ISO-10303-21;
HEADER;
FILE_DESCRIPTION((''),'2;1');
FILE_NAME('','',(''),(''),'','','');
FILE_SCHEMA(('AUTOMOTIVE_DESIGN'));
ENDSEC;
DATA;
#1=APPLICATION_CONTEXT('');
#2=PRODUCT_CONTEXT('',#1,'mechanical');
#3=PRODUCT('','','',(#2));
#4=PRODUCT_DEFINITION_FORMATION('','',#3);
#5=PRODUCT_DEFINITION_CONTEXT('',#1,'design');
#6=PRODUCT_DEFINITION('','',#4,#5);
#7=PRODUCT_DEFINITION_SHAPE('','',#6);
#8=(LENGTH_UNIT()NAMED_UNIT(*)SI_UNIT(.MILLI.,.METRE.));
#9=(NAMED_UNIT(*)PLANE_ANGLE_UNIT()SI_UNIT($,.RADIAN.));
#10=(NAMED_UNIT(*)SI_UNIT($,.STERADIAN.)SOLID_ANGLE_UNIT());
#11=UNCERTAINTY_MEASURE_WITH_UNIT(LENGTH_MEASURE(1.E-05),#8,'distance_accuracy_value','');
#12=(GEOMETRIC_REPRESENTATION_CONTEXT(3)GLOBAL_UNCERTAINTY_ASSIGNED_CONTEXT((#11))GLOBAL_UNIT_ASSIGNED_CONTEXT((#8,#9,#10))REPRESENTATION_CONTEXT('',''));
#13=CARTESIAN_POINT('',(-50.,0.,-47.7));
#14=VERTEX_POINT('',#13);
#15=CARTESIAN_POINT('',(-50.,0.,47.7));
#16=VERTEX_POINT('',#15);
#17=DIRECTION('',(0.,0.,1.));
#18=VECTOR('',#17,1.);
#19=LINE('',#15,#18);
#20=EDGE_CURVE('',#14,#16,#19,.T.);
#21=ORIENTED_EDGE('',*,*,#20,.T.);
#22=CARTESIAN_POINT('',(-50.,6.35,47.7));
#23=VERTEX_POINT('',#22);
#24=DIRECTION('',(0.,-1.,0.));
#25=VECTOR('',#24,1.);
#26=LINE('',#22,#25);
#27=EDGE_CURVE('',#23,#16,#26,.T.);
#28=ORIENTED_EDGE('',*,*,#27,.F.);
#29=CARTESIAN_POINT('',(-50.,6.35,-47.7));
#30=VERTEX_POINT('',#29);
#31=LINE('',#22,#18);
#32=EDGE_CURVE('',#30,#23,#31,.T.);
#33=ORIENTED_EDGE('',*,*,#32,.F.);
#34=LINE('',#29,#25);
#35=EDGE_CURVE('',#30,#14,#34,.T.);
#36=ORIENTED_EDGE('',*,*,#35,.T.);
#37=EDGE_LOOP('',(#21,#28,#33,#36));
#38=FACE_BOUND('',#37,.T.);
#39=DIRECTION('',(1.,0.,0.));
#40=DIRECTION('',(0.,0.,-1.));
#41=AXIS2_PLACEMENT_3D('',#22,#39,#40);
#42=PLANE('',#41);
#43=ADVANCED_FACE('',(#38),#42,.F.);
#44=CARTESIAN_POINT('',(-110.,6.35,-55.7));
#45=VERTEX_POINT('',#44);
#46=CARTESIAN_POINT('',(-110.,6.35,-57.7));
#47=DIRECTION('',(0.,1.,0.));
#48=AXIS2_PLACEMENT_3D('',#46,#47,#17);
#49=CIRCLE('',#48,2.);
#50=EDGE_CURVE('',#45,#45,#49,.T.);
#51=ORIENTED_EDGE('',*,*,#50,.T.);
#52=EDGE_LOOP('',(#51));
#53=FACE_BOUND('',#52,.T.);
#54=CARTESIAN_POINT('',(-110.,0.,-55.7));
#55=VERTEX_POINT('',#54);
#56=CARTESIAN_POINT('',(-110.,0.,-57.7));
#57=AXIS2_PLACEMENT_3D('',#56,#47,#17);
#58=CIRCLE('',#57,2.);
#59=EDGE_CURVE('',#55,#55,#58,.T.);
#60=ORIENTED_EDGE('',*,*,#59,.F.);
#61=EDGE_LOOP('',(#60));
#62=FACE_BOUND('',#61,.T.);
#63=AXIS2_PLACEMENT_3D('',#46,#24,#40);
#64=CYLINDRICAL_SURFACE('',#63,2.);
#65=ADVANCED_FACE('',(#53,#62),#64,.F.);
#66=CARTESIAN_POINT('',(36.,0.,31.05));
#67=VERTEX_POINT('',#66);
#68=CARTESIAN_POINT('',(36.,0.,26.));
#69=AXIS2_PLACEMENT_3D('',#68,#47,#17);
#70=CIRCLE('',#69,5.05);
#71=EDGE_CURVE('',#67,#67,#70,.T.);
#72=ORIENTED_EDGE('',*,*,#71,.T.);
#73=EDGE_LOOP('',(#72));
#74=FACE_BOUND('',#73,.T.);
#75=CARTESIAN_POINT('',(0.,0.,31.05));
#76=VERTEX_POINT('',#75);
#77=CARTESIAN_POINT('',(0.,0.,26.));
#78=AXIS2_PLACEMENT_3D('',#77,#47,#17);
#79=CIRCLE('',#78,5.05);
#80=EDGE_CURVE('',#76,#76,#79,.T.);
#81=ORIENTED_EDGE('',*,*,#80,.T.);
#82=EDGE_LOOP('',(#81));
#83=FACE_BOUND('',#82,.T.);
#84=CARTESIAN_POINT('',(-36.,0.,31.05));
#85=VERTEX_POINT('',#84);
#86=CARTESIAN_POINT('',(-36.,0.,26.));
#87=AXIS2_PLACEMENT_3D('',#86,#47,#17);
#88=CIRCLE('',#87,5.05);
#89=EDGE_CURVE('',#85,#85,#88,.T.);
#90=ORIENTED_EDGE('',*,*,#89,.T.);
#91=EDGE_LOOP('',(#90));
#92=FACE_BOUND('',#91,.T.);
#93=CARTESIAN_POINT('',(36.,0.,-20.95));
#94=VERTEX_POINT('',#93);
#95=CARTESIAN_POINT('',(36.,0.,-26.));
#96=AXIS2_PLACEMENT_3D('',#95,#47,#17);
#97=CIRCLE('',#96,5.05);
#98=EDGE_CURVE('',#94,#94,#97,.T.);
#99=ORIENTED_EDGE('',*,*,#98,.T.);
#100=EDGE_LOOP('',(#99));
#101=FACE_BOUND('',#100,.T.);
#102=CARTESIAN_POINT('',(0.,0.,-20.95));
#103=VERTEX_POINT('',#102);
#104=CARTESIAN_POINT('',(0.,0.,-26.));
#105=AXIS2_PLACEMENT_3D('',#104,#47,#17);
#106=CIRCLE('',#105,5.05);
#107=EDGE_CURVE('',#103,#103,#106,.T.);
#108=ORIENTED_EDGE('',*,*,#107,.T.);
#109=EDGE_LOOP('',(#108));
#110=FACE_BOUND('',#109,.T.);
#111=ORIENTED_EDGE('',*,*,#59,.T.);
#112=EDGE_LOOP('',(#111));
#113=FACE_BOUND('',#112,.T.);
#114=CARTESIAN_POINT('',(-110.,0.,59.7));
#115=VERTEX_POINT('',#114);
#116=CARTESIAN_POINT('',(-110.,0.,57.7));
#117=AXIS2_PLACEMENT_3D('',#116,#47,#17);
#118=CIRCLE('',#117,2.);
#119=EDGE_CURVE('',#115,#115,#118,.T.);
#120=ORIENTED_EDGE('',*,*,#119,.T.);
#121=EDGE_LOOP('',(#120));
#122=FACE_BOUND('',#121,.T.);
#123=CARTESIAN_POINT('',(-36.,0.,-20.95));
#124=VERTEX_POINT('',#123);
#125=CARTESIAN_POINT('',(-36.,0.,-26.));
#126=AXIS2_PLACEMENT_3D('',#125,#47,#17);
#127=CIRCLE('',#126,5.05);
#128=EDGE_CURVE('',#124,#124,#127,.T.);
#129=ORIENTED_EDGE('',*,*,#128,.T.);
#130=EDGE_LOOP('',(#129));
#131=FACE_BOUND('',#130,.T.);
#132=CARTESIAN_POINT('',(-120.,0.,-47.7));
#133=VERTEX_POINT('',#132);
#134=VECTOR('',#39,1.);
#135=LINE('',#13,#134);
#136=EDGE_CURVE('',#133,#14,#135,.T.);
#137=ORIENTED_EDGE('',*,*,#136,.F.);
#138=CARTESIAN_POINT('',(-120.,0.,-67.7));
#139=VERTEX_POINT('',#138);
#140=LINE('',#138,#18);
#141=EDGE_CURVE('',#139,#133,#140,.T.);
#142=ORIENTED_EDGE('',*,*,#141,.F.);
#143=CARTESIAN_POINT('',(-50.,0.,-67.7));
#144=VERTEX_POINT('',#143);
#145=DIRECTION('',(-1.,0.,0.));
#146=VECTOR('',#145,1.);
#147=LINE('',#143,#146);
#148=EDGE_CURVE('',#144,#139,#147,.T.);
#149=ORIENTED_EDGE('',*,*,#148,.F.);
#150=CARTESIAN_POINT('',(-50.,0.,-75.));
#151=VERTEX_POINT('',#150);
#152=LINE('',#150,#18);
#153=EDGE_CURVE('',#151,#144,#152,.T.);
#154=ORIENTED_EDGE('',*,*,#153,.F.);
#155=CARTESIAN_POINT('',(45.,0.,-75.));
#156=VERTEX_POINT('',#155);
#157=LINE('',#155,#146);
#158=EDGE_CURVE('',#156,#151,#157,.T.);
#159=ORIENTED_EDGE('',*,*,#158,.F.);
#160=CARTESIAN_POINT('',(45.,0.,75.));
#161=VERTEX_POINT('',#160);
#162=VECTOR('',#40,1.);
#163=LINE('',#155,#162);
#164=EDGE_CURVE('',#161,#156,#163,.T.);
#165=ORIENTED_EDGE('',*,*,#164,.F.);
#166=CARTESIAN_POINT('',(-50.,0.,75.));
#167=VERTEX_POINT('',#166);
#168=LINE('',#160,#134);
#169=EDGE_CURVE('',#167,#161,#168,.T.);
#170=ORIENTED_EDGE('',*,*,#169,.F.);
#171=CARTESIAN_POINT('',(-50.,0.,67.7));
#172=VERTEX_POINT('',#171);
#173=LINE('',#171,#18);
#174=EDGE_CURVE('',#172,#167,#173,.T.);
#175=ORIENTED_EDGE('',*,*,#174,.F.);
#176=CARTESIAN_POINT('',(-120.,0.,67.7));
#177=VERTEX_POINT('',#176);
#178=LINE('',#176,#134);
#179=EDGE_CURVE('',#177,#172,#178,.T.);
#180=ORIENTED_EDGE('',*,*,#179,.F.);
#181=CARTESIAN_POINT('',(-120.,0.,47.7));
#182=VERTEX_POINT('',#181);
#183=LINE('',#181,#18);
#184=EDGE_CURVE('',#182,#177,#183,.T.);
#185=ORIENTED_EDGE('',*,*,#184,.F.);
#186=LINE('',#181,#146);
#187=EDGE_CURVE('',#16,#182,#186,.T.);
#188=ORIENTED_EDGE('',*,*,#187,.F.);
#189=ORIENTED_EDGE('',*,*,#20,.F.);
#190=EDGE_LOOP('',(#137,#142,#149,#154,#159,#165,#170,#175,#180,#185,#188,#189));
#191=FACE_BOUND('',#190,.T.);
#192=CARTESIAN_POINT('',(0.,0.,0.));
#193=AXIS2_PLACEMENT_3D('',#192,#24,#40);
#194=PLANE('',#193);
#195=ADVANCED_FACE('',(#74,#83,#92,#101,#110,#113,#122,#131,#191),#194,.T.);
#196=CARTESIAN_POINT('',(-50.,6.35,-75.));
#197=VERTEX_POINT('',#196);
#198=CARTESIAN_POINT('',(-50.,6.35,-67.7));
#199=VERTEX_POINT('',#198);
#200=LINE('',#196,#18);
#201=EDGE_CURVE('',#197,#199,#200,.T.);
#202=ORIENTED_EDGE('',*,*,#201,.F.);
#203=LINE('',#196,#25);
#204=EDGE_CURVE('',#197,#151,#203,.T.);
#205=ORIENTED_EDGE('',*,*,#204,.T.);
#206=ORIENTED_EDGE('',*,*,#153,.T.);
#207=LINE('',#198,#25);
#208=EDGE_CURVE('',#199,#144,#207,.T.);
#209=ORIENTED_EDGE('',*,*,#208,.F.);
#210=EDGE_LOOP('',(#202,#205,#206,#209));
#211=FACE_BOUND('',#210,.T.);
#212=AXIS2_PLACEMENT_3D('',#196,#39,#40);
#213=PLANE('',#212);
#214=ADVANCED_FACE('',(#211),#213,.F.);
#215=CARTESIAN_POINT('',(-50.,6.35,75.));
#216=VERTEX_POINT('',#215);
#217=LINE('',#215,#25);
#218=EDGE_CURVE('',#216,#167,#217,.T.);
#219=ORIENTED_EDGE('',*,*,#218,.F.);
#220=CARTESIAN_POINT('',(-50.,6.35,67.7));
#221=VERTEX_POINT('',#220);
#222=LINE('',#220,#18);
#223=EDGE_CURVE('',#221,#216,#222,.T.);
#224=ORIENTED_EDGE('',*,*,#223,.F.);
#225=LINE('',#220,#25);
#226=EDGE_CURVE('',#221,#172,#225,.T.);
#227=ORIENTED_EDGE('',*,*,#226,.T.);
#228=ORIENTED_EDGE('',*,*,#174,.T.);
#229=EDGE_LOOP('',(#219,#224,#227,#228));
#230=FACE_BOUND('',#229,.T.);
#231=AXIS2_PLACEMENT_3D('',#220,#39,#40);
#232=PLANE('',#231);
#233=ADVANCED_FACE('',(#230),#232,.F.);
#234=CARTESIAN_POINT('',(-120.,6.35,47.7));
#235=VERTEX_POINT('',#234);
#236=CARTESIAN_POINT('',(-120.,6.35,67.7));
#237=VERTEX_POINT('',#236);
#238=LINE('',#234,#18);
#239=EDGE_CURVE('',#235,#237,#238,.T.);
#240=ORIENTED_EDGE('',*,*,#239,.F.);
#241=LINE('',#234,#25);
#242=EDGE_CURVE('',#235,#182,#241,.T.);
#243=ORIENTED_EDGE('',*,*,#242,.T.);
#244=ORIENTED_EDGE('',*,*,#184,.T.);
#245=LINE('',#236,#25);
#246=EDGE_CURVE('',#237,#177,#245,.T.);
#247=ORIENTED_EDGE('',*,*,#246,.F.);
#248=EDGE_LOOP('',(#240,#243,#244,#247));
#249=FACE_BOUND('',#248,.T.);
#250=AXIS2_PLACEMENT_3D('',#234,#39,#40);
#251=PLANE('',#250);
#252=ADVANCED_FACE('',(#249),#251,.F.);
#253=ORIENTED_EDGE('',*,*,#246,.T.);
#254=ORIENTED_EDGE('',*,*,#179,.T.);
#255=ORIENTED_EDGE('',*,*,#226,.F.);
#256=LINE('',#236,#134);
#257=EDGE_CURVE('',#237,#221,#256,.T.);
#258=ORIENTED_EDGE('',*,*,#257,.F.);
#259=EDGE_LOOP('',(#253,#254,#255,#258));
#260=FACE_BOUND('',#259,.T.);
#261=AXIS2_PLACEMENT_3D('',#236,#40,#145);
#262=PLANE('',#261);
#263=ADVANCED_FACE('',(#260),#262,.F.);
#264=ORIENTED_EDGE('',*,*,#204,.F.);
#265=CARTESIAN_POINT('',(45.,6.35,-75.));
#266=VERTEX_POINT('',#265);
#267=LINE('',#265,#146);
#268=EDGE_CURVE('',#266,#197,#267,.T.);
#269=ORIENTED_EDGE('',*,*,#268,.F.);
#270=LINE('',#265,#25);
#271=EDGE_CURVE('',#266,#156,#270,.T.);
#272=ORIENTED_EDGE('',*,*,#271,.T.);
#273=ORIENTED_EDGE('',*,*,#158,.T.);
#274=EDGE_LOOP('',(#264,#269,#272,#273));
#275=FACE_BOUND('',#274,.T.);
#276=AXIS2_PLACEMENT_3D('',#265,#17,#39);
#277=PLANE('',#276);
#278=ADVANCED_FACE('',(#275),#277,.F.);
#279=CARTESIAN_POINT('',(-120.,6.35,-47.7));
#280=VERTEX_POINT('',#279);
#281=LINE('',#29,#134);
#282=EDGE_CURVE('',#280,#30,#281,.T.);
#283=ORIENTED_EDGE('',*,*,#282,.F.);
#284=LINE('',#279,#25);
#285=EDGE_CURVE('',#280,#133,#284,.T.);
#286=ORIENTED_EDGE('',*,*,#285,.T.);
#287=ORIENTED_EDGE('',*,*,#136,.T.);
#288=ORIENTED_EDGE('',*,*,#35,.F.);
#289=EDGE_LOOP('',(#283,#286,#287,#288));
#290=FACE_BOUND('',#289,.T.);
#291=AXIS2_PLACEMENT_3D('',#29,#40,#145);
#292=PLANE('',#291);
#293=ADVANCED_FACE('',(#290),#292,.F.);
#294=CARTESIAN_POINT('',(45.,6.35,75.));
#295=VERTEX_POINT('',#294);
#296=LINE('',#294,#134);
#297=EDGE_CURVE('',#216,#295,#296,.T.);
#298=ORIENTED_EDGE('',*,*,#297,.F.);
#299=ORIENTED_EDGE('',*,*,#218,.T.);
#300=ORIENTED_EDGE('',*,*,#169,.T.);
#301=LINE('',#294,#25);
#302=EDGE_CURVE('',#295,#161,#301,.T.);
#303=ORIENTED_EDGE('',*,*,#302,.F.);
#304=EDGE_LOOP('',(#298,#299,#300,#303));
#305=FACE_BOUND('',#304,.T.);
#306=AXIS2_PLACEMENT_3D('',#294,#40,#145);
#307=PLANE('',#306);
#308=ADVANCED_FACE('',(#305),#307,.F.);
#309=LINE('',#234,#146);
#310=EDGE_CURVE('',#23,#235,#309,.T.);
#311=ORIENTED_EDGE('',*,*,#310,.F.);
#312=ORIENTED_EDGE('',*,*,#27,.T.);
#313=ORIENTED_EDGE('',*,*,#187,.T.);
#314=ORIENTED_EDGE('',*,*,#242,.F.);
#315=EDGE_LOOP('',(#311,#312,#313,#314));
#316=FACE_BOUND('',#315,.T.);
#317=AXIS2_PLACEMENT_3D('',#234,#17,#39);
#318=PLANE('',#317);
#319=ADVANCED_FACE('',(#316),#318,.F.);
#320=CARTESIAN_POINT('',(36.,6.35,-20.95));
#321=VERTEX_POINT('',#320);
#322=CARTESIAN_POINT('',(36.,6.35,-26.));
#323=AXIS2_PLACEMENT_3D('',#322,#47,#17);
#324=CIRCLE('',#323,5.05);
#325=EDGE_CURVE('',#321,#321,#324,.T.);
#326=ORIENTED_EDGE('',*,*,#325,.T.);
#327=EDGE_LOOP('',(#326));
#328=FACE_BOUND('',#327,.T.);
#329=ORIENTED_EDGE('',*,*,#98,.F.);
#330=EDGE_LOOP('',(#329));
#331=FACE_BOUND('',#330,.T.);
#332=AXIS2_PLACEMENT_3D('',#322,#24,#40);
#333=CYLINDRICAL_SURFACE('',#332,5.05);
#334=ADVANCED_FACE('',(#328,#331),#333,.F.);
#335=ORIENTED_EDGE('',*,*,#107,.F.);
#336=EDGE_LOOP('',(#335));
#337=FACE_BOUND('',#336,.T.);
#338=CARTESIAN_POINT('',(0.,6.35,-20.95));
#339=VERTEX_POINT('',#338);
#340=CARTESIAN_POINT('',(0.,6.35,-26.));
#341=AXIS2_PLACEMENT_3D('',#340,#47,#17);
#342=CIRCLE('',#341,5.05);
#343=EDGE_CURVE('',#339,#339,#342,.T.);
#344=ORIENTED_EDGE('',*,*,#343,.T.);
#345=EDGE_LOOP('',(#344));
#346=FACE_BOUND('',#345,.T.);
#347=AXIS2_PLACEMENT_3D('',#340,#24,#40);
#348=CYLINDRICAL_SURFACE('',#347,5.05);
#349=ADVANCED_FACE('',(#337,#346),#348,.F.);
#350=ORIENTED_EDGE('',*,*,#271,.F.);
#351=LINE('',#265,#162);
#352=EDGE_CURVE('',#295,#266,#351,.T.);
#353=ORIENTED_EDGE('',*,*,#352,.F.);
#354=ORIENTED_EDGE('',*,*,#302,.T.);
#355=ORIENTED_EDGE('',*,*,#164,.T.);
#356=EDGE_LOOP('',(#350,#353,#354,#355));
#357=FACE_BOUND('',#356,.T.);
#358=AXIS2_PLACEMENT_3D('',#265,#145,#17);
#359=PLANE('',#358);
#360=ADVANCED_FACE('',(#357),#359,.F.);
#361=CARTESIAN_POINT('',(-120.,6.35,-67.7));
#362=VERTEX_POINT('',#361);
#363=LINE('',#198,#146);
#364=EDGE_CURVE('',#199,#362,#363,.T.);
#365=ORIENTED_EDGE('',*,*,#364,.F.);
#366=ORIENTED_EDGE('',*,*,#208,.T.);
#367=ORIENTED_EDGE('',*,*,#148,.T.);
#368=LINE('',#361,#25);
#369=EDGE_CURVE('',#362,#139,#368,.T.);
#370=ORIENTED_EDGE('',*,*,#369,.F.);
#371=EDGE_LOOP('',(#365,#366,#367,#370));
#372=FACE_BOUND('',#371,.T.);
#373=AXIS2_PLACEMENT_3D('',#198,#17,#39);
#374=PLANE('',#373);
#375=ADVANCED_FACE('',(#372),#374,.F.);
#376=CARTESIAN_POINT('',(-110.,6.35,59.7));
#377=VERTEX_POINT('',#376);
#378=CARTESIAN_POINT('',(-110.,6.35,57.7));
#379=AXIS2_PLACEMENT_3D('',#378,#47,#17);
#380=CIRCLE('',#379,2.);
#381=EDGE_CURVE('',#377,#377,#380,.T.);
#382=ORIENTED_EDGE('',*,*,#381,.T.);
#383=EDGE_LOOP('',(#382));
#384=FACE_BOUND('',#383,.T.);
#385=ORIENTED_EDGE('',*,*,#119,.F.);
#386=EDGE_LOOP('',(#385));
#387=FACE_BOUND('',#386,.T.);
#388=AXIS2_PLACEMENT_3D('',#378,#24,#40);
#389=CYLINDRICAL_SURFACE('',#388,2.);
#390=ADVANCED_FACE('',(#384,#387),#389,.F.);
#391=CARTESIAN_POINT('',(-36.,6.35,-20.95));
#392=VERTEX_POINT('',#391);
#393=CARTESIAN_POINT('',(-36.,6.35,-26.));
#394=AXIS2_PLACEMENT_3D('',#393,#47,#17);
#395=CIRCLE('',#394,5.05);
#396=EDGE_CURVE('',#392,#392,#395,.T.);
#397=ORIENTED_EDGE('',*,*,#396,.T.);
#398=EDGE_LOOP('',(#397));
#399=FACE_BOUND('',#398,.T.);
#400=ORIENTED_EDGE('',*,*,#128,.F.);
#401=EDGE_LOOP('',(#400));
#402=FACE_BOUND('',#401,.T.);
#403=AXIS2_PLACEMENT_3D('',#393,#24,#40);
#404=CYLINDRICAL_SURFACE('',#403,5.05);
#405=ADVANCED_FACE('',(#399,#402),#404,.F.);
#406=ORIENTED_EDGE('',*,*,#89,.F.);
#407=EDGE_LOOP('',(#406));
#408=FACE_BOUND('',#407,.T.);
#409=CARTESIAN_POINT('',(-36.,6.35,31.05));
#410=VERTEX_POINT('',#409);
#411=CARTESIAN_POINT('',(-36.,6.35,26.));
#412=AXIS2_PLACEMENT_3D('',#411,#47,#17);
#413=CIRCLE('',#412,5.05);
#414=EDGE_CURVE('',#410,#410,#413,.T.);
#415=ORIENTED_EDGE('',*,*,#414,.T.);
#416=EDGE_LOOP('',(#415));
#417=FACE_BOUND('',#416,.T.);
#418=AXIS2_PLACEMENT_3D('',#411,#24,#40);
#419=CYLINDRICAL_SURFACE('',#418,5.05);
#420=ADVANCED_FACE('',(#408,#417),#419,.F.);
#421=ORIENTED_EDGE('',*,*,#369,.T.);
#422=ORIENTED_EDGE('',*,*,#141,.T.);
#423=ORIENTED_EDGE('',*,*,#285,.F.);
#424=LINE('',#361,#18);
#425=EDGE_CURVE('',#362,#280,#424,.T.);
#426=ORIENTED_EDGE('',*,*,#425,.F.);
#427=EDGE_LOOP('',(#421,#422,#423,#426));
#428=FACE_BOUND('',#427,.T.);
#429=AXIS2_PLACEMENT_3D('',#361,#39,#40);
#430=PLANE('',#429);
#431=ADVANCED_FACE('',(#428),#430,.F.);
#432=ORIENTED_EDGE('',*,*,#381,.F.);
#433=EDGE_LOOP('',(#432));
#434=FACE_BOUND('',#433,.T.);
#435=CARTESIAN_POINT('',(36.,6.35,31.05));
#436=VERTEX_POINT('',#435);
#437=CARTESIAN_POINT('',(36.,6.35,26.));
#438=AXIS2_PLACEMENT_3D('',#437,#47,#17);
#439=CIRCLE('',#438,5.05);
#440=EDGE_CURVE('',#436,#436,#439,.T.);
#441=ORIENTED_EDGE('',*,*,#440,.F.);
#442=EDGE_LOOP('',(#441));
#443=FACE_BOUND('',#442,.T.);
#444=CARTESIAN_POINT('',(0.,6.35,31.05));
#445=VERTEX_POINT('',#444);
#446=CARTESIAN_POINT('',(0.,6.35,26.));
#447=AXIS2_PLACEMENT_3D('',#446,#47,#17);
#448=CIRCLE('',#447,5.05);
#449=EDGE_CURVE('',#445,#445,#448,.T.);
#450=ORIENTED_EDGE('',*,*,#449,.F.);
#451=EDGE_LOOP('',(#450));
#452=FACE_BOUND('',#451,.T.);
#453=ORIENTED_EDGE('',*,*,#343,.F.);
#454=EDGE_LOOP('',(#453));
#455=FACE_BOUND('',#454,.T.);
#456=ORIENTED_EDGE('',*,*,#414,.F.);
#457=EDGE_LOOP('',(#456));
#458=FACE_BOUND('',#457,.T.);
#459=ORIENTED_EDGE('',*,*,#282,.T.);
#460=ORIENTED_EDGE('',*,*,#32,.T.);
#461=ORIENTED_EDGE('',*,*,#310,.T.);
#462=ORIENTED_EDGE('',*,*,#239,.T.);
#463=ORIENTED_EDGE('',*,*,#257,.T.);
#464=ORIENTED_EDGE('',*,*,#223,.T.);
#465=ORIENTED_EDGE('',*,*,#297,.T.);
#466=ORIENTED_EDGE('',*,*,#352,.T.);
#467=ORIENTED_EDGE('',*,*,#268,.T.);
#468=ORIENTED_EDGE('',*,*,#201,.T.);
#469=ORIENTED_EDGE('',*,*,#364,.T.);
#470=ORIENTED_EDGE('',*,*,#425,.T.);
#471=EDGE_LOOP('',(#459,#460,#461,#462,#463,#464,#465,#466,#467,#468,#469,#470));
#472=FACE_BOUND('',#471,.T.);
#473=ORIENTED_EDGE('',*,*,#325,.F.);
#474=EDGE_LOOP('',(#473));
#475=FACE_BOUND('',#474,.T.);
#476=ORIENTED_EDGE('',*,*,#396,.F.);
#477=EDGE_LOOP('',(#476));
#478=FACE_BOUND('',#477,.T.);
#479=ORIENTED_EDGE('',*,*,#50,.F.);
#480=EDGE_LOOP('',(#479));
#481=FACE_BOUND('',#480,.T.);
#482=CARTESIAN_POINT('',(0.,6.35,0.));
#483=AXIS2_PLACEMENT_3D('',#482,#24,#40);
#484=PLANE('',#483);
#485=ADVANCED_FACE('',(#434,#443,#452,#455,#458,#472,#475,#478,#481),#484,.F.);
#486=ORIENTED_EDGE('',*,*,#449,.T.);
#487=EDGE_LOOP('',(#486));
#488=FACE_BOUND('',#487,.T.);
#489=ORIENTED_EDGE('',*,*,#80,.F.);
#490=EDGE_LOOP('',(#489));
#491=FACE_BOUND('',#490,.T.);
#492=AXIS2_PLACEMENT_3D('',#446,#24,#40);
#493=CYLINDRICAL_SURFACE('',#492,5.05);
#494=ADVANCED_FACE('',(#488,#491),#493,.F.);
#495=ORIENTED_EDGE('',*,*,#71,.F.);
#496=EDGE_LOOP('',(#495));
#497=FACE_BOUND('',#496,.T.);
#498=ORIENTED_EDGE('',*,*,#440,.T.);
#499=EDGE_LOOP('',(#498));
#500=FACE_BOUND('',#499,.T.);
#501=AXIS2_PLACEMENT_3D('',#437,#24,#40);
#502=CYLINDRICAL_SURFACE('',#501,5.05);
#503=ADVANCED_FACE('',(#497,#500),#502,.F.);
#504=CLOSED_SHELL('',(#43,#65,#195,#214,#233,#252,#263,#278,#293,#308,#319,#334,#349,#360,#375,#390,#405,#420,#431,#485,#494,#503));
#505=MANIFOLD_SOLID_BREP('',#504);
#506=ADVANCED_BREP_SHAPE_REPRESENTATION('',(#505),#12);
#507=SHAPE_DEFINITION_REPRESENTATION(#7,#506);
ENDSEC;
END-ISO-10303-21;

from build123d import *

# Parameters (mm, degrees)
SKETCH1_R           = 5.05
SKETCH1_R_2         = 2
BOSS_EXTRUDE1_DEPTH = 6.35


with BuildPart() as part:
    # Sketch1 → Boss-Extrude1 (new body)
    with BuildSketch(Plane(origin=(0, 0, 0), x_dir=(1, 0, 0), z_dir=(0, 1, 0))):
        Polygon((-120, -47.7), (-50, -47.7), (-50, 47.7), (-120, 47.7), (-120, 67.7), (-50, 67.7), (-50, 75), (45, 75), (45, -75), (-50, -75), (-50, -67.7), (-120, -67.7), align=None)
        with Locations(Location((-36, 26, 0), (0, 0, 270))):
            Circle(SKETCH1_R, mode=Mode.SUBTRACT)
        with Locations(Location((36, 26, 0), (0, 0, 270))):
            Circle(SKETCH1_R, mode=Mode.SUBTRACT)
        with Locations(Location((36, -26, 0), (0, 0, 270))):
            Circle(SKETCH1_R, mode=Mode.SUBTRACT)
        with Locations(Location((-36, -26, 0), (0, 0, 270))):
            Circle(SKETCH1_R, mode=Mode.SUBTRACT)
        with Locations(Location((0, 26, 0), (0, 0, 270))):
            Circle(SKETCH1_R, mode=Mode.SUBTRACT)
        with Locations(Location((0, -26, 0), (0, 0, 270))):
            Circle(SKETCH1_R, mode=Mode.SUBTRACT)
        with Locations(Location((-110, 57.7, 0), (0, 0, 270))):
            Circle(SKETCH1_R_2, mode=Mode.SUBTRACT)
        with Locations(Location((-110, -57.7, 0), (0, 0, 270))):
            Circle(SKETCH1_R_2, mode=Mode.SUBTRACT)
    extrude(amount=BOSS_EXTRUDE1_DEPTH)


solid = part.part
